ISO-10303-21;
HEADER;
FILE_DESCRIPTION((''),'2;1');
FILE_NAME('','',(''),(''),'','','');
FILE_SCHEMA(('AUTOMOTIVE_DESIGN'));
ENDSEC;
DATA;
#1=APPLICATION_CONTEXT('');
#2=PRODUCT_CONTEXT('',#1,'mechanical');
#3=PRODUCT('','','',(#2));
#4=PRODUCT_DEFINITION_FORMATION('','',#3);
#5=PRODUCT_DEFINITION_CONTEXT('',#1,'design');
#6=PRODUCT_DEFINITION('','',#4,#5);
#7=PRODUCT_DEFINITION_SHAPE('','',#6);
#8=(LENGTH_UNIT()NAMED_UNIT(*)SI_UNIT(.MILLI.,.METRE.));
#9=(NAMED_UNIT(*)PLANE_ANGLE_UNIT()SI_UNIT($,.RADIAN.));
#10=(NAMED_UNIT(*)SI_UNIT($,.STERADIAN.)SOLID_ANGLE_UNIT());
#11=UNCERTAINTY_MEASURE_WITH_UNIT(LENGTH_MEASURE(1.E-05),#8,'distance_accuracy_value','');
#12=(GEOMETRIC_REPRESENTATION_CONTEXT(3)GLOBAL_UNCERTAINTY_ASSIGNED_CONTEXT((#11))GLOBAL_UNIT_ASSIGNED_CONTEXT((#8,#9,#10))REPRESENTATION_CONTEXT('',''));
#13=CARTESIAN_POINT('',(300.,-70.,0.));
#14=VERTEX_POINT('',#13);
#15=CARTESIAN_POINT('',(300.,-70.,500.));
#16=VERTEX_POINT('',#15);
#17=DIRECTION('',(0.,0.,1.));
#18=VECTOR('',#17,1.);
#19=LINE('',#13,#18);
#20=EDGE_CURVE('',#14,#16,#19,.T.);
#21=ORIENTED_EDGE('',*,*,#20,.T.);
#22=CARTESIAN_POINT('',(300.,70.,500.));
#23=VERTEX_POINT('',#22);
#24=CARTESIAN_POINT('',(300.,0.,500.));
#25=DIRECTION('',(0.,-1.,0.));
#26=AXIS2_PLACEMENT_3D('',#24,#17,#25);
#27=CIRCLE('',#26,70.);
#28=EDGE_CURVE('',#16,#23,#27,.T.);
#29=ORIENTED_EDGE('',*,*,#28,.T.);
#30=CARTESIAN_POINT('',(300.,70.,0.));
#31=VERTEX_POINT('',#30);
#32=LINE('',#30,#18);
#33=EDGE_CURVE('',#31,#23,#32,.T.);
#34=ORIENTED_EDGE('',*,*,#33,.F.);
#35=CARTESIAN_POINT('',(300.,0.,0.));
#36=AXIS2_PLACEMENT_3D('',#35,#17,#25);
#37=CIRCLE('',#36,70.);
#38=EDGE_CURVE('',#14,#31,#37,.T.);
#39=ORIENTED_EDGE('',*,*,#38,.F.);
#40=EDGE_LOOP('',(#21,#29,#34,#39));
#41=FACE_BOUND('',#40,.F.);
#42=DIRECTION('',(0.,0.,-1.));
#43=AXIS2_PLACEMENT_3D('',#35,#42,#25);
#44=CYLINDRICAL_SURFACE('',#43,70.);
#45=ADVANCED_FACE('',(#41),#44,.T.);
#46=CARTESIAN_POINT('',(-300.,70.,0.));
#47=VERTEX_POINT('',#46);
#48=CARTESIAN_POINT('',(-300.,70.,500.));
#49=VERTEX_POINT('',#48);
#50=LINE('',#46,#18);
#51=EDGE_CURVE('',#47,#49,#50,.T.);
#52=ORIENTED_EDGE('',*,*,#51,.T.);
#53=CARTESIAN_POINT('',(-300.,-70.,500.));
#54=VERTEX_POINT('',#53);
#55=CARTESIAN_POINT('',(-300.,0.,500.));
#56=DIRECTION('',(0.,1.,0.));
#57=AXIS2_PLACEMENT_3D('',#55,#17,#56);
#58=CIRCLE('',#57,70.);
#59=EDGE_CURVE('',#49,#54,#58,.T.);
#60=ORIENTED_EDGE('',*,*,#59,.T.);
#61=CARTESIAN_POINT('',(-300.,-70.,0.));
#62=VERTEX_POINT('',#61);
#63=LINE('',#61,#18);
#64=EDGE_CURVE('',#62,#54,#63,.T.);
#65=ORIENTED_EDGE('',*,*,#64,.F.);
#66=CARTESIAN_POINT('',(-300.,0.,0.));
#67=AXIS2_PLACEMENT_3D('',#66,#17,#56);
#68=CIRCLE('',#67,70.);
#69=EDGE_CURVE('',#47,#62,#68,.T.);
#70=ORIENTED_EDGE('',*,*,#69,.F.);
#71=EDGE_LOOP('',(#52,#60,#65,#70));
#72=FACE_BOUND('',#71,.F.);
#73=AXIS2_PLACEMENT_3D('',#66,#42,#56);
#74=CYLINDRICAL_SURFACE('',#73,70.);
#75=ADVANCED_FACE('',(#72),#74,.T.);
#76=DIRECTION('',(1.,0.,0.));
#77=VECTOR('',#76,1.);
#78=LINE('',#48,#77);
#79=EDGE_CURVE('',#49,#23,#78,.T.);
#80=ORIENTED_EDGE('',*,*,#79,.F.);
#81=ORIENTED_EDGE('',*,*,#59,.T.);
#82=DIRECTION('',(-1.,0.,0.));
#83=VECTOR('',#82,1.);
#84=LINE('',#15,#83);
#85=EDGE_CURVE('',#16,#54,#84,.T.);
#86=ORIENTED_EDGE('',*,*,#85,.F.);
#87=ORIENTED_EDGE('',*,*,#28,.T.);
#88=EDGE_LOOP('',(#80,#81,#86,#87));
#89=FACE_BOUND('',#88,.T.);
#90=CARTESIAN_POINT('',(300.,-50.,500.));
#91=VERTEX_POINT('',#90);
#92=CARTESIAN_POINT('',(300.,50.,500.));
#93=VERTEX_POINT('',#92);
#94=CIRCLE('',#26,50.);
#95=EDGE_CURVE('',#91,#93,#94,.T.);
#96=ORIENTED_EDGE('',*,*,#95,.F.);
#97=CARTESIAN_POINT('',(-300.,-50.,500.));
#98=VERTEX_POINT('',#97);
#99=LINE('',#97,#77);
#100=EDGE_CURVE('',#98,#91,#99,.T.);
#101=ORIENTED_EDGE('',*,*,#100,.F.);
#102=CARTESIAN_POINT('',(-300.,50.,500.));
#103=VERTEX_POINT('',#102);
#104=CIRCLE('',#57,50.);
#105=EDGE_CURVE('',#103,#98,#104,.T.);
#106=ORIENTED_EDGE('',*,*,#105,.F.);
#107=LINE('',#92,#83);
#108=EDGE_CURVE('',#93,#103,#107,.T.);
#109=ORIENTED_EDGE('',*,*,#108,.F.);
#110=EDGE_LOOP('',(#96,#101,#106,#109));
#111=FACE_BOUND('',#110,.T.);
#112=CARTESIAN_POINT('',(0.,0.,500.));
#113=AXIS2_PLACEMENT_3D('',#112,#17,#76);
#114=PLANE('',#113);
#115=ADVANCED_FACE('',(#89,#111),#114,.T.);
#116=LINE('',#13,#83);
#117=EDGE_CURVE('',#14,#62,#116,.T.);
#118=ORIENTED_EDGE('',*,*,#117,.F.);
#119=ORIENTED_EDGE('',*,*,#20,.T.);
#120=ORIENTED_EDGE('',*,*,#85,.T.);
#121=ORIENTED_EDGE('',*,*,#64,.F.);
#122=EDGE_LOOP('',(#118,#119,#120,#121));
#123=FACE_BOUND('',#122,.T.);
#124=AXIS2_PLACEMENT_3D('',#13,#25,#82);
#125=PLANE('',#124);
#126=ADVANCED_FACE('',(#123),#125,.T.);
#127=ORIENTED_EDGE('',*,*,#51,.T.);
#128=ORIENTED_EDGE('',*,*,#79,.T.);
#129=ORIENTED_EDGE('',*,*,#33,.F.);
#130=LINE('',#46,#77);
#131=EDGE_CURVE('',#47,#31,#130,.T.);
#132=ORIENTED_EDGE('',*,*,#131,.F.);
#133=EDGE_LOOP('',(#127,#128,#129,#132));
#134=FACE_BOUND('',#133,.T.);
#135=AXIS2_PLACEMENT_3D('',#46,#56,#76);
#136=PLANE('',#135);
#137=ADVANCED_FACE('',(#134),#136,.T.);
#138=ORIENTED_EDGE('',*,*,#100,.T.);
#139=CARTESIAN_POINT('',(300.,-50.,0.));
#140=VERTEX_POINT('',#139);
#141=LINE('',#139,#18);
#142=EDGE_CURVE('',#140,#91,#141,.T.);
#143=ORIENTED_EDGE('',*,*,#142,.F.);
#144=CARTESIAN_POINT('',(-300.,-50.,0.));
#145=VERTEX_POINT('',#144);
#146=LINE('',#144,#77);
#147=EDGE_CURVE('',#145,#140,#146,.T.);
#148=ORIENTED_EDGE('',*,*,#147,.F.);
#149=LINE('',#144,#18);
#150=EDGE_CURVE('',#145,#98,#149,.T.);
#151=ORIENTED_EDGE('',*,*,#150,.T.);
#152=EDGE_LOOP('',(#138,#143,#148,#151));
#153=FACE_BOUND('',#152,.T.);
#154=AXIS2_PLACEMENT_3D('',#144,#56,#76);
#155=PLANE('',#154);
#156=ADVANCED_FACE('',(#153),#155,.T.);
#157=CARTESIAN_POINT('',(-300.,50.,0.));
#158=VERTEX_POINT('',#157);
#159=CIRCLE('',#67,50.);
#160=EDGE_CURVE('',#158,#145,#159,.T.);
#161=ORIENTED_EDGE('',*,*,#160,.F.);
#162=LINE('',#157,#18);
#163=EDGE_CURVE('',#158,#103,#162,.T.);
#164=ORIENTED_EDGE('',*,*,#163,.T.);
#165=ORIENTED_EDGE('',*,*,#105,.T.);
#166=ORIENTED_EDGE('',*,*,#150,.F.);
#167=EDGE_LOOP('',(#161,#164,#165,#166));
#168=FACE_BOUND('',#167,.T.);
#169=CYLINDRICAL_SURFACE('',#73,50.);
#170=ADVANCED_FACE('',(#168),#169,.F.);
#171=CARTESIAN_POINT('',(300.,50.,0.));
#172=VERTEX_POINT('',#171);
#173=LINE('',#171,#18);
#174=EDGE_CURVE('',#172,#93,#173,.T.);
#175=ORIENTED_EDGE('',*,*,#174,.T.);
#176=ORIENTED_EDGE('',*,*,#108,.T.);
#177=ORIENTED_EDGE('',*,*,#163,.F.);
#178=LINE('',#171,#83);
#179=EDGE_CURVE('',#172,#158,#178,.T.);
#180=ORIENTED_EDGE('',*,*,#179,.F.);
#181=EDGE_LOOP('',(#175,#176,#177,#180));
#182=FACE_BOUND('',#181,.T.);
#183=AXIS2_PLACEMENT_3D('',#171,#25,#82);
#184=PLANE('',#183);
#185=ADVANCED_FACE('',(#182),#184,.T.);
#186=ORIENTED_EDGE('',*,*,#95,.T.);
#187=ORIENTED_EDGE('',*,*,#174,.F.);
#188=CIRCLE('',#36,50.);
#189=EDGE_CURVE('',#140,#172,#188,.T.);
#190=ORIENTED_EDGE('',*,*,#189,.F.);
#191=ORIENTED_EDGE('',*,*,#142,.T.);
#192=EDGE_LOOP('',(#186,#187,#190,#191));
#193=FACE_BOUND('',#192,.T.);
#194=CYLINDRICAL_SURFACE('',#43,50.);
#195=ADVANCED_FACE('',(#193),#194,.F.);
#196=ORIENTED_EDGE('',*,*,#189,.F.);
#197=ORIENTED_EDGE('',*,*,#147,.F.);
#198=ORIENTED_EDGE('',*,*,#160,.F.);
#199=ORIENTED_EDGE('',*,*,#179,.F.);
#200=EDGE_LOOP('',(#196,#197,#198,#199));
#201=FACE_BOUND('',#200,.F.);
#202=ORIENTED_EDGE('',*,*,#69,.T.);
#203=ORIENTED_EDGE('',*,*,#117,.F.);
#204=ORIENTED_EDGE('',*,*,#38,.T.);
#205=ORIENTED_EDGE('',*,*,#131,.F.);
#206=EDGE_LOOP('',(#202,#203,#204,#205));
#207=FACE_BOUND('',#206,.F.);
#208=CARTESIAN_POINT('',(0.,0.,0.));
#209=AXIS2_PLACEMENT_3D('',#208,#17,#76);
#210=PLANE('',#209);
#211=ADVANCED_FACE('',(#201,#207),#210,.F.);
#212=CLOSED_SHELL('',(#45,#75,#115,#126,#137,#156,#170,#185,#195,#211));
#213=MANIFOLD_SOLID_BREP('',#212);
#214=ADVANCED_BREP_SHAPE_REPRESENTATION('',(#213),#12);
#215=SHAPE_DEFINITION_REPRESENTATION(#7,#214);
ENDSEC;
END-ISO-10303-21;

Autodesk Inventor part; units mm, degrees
ref_plane "YZ Plane" through (0, 0, 0) normal (1, 0, 0) x (0, 1, 0)
ref_plane "XZ Plane" through (0, 0, 0) normal (0, 1, 0) x (-1, 0, 0)
ref_plane "XY Plane" through (0, 0, 0) normal (0, 0, 1) x (1, 0, 0)
sketch "Boceto1" plane through (0, 0, 0) normal (0, 0, 1) x (1, 0, 0)
  arc A0 (-300, 50) -> (-300, -50) centre (-300, 0) ccw
  arc A1 (300, -50) -> (300, 50) centre (300, 0) ccw
  line L0 (300, 50) -> (-300, 50)
  line L1 (-300, -50) -> (300, -50)
  line L2 (-300, 70) -> (300, 70)
  arc A2 (300, -70) -> (300, 70) centre (300, 0) ccw
  line L3 (300, -70) -> (-300, -70)
  arc A3 (-300, 70) -> (-300, -70) centre (-300, 0) ccw
  point P0 (0, 0)
  dimension "d0" = 300
  dimension "d1" = 300
  dimension "d2" = 100
  dimension "d3" = 100
  dimension "d4" = 20
  dimension "d5" = 20
extrude "Extrusión1" add sketch "Boceto1" along normal blind 500
properties part number "banda 1"
